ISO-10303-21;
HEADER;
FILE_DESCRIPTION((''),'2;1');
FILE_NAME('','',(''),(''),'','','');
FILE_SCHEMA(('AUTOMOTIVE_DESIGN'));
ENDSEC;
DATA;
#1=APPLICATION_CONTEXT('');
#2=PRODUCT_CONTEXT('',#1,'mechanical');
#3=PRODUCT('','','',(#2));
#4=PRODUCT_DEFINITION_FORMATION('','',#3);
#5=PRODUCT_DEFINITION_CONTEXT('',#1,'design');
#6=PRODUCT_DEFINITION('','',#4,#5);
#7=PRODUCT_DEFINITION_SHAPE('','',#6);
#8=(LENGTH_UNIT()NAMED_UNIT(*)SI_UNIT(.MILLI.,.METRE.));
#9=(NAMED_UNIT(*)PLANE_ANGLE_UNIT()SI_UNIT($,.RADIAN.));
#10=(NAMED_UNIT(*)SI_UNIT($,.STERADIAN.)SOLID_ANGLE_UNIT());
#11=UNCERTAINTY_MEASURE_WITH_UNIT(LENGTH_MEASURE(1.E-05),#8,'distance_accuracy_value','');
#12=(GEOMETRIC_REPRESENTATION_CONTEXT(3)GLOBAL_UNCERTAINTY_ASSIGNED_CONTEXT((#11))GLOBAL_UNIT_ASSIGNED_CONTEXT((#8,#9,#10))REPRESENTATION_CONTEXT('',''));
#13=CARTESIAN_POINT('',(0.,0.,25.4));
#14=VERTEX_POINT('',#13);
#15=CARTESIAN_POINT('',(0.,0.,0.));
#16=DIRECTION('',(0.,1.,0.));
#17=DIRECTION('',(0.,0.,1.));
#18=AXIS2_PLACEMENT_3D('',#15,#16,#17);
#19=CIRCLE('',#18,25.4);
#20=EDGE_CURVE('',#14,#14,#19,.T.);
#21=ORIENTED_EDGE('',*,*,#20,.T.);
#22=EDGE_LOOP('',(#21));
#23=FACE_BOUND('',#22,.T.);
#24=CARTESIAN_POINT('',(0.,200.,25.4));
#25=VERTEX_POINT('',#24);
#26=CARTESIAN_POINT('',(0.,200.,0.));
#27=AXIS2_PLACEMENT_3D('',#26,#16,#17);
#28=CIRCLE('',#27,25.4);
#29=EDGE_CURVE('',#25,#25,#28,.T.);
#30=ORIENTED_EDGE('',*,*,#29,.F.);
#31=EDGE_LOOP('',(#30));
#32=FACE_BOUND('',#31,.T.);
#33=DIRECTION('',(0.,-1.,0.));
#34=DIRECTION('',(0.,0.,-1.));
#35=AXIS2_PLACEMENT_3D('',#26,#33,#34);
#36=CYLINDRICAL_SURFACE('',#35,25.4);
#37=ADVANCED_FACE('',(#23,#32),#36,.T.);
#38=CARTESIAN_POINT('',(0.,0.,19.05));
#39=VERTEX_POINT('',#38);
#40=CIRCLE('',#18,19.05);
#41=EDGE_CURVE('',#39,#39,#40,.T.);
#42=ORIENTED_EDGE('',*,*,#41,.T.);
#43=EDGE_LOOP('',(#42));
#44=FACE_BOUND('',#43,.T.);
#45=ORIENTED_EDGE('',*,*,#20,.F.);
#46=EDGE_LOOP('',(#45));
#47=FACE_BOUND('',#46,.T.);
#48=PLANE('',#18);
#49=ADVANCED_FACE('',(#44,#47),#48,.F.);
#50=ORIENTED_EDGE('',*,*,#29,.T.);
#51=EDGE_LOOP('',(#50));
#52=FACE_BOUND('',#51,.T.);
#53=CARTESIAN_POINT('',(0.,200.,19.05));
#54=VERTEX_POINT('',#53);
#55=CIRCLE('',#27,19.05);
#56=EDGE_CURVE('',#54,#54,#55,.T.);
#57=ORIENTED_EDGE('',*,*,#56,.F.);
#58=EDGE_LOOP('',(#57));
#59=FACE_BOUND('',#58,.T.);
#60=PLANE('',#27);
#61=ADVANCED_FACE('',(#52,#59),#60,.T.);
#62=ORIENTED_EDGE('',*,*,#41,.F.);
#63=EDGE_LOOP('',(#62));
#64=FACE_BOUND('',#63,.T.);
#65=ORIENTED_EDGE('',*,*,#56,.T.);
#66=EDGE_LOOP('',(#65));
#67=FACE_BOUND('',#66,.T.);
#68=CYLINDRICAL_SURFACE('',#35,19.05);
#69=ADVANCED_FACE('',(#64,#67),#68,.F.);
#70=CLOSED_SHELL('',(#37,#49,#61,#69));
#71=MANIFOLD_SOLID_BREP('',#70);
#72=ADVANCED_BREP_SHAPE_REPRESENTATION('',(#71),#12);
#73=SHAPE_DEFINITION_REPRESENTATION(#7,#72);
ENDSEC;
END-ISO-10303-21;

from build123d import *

# Parameters (mm, degrees)
SKETCH1_R           = 25.4
SKETCH1_R_2         = 19.05
BOSS_EXTRUDE1_DEPTH = 200


with BuildPart() as part:
    # Sketch1 → Boss-Extrude1 (new body)
    with BuildSketch(Plane(origin=(0, 0, 0), x_dir=(1, 0, 0), z_dir=(0, 1, 0))):
        with Locations(Location((0, 0, 0), (0, 0, 270))):  # turned: the seam where the file's is
            Circle(SKETCH1_R)
        with Locations(Location((0, 0, 0), (0, 0, 270))):  # turned: the seam where the file's is
            Circle(SKETCH1_R_2, mode=Mode.SUBTRACT)
    extrude(amount=BOSS_EXTRUDE1_DEPTH)


solid = part.part
